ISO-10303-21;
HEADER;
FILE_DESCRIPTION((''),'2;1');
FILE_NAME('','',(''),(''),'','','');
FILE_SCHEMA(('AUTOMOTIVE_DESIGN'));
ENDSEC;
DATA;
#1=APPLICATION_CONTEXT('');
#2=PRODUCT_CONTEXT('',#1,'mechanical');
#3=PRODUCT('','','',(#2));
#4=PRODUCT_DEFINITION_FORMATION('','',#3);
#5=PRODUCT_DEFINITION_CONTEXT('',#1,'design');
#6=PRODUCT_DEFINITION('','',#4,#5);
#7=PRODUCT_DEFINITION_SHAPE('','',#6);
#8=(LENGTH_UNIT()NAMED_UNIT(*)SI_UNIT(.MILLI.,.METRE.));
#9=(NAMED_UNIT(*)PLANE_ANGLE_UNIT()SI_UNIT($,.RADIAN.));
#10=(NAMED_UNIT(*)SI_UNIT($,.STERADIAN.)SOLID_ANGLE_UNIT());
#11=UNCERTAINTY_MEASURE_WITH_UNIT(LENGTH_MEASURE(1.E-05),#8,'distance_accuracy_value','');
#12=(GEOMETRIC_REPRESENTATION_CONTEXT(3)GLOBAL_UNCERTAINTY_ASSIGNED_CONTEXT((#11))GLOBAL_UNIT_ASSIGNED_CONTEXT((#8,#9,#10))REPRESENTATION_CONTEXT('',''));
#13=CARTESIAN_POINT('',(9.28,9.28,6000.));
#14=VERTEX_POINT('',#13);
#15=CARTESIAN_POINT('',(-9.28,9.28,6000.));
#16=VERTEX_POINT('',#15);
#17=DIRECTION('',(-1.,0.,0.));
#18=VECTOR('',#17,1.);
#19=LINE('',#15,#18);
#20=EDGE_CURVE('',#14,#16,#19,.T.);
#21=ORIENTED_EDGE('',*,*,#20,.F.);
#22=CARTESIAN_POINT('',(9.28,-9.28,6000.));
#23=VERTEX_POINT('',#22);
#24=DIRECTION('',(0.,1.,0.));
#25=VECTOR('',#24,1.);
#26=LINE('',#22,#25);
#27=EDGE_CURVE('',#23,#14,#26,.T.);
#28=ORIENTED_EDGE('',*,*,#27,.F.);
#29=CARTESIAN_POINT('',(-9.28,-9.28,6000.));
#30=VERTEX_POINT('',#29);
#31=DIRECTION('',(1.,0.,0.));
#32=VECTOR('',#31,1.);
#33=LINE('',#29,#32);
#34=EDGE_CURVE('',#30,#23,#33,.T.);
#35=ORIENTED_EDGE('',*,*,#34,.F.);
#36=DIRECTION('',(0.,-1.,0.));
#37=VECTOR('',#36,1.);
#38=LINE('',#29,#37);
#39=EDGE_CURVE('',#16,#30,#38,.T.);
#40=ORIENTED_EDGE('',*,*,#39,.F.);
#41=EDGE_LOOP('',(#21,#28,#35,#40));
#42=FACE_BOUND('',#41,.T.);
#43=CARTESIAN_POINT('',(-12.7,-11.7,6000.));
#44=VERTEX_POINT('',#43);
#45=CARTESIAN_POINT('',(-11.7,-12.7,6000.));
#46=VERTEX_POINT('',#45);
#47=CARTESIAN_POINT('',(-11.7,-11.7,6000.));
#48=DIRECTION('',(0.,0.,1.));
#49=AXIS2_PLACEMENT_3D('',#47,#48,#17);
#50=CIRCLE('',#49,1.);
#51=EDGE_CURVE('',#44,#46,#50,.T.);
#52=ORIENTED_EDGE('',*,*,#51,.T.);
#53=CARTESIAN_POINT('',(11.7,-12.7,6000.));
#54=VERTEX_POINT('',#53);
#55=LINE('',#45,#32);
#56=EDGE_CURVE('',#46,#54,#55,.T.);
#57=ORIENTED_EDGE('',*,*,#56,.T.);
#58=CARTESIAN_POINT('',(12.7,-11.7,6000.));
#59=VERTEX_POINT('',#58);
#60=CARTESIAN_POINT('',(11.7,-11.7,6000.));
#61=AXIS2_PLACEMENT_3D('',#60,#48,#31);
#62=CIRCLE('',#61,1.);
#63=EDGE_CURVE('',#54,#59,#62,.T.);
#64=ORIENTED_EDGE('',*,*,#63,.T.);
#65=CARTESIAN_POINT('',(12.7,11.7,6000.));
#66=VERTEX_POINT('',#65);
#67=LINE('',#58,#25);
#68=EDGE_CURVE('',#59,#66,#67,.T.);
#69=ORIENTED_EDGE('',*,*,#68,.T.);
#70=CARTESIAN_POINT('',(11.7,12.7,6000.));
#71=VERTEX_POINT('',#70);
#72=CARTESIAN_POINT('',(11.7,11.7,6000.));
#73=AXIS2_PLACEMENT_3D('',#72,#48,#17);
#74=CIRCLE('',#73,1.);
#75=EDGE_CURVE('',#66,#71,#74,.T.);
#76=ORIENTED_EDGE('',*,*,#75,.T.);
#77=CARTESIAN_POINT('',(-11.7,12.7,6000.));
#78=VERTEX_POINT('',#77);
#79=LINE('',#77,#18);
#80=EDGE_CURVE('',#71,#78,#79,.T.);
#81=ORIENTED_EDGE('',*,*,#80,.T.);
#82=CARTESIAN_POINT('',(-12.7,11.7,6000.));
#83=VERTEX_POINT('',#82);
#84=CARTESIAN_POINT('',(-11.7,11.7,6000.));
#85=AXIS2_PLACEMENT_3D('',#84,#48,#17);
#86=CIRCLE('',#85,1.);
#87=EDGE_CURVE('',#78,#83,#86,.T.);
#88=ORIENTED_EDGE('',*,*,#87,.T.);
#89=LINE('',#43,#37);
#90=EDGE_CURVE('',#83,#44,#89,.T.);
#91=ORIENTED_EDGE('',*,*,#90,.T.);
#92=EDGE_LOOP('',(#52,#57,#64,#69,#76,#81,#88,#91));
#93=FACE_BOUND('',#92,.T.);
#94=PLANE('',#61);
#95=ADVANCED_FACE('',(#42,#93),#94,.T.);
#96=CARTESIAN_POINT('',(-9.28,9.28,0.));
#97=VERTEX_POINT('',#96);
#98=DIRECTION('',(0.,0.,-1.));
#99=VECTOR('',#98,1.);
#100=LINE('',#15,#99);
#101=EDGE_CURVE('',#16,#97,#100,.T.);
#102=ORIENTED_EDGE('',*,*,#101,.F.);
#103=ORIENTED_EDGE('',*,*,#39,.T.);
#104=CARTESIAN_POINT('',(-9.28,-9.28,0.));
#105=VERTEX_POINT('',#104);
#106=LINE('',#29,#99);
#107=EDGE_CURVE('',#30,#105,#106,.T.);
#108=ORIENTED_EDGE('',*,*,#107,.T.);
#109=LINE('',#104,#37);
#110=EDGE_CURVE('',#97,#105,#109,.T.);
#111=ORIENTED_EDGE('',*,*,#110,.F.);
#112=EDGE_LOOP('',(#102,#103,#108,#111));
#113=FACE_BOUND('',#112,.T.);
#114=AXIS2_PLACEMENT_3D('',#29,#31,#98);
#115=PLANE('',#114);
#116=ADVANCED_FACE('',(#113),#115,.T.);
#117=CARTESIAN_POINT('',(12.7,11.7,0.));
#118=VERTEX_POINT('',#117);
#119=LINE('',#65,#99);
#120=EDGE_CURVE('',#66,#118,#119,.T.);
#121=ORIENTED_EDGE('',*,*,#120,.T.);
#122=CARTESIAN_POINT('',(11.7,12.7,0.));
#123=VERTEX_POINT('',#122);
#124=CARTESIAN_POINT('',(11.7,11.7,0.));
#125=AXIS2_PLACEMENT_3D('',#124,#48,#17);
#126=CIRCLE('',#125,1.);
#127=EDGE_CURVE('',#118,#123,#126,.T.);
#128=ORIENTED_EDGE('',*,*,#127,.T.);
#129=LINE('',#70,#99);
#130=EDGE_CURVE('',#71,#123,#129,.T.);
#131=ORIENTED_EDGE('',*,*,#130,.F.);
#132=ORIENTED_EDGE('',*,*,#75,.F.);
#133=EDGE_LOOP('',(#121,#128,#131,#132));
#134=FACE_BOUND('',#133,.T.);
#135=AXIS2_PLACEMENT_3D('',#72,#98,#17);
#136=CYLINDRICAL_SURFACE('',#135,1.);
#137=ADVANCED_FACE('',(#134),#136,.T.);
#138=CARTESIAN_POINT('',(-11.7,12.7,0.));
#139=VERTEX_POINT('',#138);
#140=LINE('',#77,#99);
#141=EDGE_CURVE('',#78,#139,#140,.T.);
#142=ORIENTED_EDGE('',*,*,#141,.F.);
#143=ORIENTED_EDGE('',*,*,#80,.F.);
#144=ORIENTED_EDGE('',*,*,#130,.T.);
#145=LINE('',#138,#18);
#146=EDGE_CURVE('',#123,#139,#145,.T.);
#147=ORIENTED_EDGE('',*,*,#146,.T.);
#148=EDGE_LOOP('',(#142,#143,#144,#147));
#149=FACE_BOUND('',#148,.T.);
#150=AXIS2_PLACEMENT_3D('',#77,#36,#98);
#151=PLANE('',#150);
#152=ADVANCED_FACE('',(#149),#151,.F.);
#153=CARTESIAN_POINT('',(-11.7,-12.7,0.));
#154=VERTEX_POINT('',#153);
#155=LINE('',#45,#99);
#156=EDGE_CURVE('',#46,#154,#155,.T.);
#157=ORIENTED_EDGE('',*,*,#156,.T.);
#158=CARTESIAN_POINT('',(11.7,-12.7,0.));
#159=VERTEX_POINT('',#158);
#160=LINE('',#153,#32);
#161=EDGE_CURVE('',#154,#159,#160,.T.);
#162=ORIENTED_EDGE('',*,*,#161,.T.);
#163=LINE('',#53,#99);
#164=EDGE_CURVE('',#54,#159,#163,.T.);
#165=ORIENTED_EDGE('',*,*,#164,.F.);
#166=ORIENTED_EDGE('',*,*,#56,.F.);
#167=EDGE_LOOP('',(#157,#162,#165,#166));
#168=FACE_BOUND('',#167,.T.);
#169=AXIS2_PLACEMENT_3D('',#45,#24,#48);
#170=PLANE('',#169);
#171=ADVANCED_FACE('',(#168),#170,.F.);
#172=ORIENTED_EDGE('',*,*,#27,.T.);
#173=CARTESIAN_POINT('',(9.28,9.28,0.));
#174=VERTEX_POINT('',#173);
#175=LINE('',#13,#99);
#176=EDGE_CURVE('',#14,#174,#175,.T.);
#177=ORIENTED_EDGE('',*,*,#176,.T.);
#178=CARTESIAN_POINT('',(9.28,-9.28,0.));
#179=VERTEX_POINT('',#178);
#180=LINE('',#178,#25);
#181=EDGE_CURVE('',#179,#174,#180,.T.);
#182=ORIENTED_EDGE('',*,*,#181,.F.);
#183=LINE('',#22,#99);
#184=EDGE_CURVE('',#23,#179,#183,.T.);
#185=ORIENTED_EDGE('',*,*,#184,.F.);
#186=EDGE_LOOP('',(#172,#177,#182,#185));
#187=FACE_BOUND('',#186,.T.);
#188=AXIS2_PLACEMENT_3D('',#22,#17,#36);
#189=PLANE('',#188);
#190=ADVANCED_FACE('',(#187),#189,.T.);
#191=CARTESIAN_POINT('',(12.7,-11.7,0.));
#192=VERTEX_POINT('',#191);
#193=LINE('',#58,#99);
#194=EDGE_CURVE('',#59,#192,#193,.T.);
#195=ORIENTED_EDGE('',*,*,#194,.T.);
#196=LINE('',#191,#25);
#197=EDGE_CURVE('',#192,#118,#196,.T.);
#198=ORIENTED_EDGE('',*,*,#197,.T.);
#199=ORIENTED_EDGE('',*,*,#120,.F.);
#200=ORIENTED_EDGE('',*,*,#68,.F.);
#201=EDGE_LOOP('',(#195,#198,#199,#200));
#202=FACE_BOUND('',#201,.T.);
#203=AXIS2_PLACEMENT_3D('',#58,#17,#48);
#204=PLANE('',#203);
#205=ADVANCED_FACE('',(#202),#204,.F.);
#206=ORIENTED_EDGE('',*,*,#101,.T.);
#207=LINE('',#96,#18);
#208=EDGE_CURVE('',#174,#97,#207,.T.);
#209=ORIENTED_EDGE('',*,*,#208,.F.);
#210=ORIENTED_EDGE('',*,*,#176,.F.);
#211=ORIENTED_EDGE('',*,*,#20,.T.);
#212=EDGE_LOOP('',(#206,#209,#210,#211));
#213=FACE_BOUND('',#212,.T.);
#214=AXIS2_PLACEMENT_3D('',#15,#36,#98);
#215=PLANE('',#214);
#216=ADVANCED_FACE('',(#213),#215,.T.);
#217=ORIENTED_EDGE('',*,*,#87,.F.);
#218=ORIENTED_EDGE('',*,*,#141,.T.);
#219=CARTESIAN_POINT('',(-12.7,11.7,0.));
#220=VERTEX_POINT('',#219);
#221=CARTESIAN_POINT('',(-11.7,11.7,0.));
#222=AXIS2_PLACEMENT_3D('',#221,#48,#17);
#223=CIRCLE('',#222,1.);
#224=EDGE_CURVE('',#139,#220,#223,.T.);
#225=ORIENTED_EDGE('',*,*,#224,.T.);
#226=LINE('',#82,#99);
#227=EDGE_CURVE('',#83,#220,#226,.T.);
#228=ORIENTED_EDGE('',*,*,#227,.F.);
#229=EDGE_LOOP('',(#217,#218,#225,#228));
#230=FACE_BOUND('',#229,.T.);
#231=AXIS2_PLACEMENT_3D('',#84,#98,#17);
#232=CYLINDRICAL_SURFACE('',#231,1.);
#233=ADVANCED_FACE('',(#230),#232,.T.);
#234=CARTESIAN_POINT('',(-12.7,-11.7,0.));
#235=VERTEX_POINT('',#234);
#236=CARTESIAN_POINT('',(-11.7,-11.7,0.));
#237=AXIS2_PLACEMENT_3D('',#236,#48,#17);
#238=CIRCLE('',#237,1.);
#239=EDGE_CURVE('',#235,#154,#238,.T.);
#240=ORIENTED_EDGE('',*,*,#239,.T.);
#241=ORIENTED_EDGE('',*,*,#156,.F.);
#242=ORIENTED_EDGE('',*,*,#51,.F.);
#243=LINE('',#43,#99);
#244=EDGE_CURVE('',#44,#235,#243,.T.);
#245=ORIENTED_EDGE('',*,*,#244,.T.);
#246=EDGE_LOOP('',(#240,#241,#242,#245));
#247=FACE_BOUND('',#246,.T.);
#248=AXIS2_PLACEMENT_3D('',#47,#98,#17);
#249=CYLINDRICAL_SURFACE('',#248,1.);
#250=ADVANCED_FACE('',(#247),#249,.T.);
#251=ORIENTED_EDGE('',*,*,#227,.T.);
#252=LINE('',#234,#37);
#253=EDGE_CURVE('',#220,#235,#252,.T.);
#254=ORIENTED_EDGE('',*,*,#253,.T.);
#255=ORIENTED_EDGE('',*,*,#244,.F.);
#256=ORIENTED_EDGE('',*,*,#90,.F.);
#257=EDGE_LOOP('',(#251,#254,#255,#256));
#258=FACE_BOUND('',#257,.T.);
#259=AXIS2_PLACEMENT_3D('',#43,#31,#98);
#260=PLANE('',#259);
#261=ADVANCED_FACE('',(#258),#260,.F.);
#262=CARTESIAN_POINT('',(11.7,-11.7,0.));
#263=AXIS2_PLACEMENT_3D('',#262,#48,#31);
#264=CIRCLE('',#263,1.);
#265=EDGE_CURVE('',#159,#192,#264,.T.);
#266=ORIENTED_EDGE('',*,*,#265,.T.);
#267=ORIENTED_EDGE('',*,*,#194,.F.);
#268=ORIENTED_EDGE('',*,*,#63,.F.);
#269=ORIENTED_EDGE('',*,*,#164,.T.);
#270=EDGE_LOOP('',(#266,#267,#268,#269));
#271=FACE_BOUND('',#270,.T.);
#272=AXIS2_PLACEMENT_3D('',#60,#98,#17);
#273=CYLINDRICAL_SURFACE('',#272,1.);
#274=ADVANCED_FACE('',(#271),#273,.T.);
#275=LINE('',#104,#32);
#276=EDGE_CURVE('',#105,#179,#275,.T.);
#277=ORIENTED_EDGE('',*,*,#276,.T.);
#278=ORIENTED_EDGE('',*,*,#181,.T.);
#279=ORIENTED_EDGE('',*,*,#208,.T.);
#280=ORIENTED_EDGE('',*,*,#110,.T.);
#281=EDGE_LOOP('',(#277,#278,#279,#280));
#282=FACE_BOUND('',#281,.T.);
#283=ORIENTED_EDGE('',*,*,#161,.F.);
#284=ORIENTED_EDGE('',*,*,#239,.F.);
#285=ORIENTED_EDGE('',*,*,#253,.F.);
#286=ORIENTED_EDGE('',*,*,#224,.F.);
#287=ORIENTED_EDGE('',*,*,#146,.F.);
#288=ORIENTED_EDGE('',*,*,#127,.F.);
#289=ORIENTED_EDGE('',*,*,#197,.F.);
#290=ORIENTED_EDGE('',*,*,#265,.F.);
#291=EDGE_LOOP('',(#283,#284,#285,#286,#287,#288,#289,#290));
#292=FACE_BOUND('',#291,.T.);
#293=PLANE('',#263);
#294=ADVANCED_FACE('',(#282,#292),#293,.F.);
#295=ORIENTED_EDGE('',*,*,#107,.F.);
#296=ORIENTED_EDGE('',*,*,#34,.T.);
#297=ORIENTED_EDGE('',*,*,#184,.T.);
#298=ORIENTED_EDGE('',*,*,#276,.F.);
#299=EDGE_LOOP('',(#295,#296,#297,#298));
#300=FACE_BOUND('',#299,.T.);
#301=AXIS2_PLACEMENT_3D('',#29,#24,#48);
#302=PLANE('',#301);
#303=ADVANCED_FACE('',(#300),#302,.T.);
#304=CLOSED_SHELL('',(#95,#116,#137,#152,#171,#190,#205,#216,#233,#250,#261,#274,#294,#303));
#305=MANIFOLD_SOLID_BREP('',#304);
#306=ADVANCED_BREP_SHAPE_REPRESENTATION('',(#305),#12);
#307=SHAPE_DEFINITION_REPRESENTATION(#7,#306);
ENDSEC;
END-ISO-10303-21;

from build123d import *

# Parameters (mm, degrees)
CROQUIS1_W              = 18.56
CROQUIS1_H              = 18.56
SALIENTE_EXTRUIR1_DEPTH = 6000


with BuildPart() as part:
    # Croquis1 → Saliente-Extruir1 (new body)
    with BuildSketch(Plane.XY):
        with BuildLine():
            Line((-11.7, -12.7), (11.7, -12.7))
            ThreePointArc((11.7, -12.7), (12.407106781, -12.407106781), (12.7, -11.7))
            Line((12.7, -11.7), (12.7, 11.7))
            ThreePointArc((12.7, 11.7), (12.407106781, 12.407106781), (11.7, 12.7))
            Line((11.7, 12.7), (-11.7, 12.7))
            ThreePointArc((-11.7, 12.7), (-12.407106781, 12.407106781), (-12.7, 11.7))
            Line((-12.7, 11.7), (-12.7, -11.7))
            ThreePointArc((-12.7, -11.7), (-12.407106781, -12.407106781), (-11.7, -12.7))
        make_face()
        Rectangle(CROQUIS1_W, CROQUIS1_H, mode=Mode.SUBTRACT)
    extrude(amount=SALIENTE_EXTRUIR1_DEPTH)


solid = part.part
